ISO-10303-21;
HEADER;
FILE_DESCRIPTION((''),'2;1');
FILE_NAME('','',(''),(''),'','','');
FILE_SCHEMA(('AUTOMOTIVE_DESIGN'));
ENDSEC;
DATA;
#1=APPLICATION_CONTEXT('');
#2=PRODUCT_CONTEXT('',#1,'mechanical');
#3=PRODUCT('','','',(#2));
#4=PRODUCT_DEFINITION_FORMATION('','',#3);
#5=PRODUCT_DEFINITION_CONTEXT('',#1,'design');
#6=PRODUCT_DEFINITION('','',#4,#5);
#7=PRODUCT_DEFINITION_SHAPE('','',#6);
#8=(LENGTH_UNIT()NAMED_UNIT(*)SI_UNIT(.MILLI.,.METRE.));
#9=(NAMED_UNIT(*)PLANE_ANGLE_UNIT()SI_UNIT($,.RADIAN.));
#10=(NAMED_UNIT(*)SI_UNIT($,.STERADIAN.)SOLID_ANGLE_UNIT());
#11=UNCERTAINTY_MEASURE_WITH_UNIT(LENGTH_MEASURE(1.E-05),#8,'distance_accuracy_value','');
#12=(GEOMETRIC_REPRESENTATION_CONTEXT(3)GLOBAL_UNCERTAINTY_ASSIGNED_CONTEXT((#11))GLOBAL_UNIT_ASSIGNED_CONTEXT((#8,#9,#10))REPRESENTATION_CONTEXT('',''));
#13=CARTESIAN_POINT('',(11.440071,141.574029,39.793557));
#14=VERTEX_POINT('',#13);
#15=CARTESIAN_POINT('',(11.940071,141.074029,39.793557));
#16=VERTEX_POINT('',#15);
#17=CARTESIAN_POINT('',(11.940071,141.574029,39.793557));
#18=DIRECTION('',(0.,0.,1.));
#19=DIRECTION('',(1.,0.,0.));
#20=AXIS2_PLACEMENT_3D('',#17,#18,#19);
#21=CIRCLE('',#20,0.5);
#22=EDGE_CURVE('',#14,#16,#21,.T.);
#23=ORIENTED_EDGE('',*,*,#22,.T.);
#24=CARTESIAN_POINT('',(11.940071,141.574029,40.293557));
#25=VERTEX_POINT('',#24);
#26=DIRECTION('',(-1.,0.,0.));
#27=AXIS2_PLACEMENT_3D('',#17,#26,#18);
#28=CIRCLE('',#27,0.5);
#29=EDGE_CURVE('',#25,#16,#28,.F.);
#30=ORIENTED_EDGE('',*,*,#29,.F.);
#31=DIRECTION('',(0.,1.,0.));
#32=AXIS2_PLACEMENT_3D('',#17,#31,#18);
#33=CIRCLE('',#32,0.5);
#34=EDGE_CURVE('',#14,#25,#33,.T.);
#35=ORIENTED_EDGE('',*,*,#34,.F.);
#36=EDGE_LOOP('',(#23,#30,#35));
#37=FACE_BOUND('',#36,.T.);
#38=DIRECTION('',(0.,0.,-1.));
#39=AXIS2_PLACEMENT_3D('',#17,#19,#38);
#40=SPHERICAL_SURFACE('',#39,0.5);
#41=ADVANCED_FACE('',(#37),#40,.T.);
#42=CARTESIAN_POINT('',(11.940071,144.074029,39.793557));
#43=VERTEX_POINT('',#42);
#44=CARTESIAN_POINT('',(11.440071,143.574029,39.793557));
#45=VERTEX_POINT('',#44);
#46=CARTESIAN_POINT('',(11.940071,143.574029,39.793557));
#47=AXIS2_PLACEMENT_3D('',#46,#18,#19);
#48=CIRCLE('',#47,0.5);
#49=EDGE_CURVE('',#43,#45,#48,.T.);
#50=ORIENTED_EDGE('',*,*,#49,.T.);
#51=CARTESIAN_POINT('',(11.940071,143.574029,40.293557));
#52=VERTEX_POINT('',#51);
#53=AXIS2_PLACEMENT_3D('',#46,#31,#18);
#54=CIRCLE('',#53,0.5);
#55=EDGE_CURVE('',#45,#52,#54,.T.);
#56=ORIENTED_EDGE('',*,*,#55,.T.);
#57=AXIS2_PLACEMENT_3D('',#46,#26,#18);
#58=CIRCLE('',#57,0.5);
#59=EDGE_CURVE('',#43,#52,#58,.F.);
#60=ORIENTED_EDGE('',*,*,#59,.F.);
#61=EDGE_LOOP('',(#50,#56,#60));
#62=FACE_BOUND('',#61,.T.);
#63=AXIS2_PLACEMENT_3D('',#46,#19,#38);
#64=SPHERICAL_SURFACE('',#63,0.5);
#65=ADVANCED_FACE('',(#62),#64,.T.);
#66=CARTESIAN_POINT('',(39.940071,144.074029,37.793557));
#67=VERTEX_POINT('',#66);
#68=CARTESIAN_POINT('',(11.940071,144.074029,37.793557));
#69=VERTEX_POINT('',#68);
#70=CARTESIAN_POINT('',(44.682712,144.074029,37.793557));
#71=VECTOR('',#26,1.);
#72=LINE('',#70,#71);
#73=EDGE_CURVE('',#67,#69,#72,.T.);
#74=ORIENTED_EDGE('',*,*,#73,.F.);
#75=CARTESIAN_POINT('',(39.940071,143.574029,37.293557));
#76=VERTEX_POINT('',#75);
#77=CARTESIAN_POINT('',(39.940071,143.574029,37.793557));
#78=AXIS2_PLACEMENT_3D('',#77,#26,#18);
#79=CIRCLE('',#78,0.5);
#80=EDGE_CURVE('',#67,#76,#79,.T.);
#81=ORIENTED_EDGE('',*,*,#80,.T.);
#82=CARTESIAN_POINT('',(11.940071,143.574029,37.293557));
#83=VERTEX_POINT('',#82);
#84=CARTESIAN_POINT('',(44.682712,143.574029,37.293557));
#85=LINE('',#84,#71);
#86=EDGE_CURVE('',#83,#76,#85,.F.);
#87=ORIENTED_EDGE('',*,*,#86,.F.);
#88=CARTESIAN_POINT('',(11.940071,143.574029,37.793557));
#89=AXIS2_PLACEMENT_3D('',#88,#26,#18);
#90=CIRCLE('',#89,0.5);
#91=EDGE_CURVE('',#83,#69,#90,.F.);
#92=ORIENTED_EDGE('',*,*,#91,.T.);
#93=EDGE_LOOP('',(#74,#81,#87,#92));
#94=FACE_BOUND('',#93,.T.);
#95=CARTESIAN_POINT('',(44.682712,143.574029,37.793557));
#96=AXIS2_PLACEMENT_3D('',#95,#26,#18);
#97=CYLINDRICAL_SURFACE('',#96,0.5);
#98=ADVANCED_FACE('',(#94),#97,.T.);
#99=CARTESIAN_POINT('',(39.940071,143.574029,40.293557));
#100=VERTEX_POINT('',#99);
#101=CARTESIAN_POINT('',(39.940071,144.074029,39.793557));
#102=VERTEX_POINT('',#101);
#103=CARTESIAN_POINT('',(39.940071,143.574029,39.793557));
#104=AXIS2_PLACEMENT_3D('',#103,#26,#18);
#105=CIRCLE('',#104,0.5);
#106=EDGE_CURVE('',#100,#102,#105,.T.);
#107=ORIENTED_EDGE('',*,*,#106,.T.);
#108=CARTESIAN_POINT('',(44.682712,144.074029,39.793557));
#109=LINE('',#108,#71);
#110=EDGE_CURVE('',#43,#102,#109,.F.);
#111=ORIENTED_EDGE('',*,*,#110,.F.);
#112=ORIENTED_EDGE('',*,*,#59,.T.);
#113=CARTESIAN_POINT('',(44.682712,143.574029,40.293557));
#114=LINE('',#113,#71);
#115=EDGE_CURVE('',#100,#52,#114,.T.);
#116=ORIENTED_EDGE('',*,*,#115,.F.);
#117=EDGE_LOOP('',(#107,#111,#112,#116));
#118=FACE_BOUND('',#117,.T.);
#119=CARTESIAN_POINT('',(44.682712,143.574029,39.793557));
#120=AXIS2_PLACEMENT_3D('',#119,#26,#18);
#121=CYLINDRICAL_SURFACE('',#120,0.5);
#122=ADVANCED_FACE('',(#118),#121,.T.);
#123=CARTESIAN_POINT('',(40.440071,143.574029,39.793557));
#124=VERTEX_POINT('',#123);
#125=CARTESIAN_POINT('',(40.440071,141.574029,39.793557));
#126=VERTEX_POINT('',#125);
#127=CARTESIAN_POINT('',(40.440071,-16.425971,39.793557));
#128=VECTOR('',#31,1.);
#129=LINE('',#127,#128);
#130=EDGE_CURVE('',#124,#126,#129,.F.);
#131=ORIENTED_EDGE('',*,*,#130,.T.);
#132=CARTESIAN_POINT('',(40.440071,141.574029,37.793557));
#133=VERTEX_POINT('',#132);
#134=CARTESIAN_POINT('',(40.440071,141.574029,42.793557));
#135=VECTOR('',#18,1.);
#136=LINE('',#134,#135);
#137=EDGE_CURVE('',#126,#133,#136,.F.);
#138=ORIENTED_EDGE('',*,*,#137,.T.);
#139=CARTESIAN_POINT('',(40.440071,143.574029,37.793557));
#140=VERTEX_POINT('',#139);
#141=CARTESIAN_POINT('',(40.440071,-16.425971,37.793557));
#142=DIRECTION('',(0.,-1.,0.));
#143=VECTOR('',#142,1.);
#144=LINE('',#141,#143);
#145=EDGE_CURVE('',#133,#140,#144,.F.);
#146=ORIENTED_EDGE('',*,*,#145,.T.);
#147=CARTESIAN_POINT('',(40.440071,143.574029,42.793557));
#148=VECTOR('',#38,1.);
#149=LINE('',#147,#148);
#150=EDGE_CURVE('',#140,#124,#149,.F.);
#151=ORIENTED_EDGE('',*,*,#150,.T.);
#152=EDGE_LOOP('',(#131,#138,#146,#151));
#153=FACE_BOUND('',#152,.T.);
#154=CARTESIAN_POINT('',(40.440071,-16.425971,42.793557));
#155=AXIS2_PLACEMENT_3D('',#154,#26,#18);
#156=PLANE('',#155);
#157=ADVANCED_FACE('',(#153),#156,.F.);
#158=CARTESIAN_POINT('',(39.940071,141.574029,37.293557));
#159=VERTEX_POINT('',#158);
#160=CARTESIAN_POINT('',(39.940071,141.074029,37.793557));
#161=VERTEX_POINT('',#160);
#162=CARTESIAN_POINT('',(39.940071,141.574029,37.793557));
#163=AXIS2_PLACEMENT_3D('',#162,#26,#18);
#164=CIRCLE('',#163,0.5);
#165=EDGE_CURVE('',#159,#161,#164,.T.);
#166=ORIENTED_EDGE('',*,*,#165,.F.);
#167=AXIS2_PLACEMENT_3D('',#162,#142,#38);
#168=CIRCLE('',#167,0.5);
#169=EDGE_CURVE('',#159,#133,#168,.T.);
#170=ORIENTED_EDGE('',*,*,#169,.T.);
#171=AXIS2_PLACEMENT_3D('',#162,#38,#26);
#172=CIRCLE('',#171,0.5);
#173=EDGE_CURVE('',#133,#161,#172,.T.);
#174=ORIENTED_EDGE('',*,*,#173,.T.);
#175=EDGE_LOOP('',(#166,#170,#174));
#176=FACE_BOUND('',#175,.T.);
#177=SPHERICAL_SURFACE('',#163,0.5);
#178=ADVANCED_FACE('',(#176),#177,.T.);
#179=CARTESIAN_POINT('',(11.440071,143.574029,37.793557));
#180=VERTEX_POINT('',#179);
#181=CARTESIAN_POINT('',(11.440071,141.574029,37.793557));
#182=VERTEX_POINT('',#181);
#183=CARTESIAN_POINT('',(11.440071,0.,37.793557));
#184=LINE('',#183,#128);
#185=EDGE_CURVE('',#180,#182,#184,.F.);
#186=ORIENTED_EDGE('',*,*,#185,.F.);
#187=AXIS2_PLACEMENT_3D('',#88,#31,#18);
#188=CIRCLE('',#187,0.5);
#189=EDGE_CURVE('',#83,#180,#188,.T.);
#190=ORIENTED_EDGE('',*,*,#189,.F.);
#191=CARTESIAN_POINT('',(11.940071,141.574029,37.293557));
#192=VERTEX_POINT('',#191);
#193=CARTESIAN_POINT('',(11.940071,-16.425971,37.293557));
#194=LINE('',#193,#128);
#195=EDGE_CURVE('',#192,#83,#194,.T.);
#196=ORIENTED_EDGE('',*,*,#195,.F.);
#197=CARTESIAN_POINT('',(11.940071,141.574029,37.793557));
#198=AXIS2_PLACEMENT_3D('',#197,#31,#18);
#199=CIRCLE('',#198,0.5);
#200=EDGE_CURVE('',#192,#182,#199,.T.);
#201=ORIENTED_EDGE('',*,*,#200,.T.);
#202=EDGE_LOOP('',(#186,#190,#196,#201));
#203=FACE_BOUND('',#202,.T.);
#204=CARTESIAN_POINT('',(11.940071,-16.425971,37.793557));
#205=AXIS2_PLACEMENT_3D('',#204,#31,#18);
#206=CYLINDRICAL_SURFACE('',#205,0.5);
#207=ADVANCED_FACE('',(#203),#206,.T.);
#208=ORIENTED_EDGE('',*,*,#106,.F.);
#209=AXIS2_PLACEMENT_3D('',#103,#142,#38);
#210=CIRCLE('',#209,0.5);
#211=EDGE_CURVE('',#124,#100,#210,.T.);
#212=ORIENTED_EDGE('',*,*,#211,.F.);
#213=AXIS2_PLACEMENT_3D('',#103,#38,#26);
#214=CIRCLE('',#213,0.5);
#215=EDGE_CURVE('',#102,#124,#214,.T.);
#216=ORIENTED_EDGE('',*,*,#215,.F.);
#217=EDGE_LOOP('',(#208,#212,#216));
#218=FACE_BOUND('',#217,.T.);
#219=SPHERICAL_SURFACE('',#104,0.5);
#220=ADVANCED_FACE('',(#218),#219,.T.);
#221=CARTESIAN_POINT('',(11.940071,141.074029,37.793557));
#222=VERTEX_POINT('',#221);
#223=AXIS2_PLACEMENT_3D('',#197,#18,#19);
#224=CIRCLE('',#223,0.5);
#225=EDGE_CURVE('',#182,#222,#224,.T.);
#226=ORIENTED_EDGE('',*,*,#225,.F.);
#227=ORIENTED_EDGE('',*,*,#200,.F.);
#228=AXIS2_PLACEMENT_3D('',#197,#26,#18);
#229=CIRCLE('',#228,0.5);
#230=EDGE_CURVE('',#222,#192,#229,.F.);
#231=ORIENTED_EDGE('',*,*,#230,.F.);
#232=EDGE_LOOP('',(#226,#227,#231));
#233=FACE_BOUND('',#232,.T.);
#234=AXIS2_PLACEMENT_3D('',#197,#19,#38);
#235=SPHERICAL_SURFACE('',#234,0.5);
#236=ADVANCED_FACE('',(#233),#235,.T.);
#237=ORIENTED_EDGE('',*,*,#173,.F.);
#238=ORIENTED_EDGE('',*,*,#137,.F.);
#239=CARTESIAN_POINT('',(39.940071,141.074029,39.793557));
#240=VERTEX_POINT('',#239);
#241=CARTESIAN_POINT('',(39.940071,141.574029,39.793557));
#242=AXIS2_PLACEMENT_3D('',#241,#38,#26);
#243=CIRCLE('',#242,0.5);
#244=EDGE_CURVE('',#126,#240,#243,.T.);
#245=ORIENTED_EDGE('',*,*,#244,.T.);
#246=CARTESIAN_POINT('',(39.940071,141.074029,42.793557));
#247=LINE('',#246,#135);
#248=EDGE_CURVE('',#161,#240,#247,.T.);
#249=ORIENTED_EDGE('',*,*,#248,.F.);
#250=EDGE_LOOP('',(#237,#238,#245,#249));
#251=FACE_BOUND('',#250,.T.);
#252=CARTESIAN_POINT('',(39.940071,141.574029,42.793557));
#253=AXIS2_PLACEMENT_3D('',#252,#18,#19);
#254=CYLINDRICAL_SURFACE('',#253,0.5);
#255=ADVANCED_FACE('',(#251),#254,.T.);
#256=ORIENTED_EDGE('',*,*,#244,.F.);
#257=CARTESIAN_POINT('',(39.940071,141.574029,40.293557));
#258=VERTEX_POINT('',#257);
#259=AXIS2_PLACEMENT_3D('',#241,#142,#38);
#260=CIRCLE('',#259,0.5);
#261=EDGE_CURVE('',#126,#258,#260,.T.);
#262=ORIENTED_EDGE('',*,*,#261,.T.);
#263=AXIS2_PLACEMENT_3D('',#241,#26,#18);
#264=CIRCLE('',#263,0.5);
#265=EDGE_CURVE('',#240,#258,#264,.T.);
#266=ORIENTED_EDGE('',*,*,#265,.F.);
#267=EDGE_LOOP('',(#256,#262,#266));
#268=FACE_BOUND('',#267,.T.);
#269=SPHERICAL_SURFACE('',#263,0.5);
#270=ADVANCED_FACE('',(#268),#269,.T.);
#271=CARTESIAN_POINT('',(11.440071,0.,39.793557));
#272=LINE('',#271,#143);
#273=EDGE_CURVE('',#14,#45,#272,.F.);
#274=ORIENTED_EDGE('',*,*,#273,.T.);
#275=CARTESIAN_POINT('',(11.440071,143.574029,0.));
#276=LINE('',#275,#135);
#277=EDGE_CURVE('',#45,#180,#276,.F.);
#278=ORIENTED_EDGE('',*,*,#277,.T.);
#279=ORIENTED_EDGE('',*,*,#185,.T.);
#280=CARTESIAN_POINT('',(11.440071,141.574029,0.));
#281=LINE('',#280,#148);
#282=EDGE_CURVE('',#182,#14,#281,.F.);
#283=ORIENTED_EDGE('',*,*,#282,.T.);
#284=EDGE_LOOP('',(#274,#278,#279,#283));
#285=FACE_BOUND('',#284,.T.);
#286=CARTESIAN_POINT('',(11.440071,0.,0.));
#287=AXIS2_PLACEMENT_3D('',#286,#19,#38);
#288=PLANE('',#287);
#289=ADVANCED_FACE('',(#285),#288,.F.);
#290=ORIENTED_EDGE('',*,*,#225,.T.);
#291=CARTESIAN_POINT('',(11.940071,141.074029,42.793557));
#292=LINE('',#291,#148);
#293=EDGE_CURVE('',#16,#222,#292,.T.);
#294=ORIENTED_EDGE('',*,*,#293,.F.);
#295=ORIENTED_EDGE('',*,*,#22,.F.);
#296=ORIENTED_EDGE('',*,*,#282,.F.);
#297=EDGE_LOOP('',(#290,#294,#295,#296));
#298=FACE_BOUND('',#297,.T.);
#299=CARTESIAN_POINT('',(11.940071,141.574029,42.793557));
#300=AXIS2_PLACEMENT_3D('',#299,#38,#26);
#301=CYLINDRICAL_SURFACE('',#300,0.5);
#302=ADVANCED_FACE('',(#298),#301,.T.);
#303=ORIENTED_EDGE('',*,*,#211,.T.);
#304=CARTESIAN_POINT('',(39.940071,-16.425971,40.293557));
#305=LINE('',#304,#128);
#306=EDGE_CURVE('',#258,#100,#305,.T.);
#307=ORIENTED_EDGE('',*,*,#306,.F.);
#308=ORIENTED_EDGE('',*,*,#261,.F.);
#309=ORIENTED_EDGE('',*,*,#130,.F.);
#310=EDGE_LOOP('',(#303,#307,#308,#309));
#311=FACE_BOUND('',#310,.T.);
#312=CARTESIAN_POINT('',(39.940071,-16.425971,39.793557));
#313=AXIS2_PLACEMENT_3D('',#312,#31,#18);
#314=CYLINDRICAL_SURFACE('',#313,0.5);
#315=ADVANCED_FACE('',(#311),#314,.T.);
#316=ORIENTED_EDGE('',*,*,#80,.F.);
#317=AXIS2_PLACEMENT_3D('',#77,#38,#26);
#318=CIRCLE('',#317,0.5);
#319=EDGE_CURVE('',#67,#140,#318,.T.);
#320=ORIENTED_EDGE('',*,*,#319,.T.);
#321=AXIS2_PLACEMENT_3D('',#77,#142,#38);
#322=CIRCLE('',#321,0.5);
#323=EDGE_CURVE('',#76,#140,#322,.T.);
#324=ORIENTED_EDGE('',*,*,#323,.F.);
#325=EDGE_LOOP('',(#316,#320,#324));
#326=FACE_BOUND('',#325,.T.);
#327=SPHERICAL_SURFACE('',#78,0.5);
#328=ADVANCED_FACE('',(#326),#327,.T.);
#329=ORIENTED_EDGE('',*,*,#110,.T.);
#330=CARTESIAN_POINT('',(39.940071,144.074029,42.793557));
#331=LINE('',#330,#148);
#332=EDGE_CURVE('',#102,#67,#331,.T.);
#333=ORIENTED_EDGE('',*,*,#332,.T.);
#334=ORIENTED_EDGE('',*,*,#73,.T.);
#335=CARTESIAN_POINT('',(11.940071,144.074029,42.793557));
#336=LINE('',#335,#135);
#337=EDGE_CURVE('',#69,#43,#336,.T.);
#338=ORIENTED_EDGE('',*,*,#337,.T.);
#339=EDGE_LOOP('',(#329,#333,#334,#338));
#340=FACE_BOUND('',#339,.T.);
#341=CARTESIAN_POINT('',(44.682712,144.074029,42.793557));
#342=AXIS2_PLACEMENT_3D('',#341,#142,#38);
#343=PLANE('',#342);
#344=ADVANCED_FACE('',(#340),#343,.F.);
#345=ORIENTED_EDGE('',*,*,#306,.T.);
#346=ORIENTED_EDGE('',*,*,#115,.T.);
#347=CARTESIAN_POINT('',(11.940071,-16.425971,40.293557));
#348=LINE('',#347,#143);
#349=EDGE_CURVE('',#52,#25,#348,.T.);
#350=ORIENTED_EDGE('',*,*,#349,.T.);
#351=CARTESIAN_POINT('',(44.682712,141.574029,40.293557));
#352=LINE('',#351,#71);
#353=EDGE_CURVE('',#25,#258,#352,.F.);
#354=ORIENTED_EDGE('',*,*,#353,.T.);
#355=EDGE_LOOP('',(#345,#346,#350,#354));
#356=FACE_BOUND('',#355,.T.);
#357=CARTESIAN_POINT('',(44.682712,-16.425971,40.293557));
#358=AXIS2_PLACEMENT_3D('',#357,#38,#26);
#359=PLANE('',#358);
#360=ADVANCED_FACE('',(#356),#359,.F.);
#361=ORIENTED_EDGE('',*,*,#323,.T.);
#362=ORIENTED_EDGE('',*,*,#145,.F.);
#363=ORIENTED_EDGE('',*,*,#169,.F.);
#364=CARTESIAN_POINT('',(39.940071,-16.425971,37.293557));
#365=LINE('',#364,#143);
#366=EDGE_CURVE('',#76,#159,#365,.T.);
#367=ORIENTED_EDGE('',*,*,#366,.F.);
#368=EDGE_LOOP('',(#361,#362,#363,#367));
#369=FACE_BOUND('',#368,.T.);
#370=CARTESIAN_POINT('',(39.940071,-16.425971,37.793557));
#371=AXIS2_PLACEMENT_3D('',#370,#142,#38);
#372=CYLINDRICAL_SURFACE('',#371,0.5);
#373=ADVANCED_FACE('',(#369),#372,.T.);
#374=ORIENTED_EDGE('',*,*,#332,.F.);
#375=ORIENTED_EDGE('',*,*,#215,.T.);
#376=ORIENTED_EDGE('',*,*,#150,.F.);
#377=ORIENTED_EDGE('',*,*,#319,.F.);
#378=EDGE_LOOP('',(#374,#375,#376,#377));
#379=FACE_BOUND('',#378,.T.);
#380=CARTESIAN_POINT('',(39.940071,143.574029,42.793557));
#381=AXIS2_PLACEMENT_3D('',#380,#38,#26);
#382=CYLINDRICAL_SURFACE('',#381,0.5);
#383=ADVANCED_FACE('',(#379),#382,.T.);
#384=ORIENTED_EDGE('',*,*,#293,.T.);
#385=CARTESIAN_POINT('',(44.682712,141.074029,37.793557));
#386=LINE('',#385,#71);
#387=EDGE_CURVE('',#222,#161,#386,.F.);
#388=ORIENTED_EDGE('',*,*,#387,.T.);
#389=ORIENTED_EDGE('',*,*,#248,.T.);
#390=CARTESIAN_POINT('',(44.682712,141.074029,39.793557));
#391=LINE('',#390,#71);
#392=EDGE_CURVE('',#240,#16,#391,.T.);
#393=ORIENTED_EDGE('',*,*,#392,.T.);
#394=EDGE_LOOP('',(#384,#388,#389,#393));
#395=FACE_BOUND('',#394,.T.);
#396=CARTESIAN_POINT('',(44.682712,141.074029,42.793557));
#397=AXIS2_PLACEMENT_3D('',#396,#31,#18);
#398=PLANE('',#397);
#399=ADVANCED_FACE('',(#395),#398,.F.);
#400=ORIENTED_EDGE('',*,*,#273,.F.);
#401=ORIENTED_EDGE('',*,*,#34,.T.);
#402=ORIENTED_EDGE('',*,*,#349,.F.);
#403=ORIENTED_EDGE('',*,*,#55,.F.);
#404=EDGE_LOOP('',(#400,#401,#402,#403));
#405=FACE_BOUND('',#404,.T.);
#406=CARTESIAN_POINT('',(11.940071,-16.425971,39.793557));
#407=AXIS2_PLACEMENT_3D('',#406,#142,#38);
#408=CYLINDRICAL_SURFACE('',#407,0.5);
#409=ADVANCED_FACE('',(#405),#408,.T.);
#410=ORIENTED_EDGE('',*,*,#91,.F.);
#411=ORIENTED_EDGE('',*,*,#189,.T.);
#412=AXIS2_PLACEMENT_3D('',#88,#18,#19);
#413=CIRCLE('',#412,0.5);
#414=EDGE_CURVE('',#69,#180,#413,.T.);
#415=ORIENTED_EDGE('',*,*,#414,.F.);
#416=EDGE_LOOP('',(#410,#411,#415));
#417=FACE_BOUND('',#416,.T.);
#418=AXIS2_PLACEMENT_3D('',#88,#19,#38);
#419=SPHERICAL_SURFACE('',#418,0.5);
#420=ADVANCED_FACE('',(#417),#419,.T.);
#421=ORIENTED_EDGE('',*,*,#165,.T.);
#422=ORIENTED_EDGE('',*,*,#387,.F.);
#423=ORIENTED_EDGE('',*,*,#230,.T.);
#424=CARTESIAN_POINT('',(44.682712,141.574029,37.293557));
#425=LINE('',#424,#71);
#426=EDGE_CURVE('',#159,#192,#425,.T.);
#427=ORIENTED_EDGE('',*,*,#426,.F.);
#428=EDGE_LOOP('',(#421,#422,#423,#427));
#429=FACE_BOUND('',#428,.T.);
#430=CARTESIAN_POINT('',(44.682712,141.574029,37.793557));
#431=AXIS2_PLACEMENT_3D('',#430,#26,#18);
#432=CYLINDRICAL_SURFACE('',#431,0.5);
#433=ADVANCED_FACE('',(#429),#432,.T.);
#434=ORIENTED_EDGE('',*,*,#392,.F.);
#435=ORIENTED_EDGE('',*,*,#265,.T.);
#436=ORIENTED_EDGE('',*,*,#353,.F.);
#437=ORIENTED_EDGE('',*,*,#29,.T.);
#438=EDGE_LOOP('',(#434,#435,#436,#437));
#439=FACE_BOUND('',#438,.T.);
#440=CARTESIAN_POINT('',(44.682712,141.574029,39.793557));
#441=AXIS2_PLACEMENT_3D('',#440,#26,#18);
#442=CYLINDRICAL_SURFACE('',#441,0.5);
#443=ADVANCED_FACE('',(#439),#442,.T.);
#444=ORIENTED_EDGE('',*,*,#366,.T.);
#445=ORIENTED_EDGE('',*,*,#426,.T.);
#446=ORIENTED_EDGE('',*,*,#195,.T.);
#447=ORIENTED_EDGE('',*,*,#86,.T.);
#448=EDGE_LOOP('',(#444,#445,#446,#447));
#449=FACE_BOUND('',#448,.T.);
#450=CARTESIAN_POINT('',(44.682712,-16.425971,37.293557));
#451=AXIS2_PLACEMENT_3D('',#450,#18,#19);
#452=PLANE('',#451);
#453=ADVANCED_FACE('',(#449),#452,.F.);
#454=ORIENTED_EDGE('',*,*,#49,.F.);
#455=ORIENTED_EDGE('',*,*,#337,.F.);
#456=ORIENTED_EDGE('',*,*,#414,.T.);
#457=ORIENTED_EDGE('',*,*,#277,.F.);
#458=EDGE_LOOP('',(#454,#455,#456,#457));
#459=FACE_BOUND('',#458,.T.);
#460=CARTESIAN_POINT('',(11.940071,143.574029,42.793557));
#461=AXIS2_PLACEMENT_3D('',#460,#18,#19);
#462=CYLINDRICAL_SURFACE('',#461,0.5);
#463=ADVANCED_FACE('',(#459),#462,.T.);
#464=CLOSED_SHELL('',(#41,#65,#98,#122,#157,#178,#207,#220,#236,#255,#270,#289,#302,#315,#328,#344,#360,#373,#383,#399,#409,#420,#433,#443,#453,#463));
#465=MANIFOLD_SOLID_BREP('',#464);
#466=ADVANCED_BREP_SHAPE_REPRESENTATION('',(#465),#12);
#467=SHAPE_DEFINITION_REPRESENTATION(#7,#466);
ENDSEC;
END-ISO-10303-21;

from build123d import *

# Parameters (mm, degrees)
BOSS_EXTRUDE1_START = 11.440071
SKETCH2_W           = 3
SKETCH2_H           = 3
BOSS_EXTRUDE1_DEPTH = 29
FILLET1_R           = 0.5
FILLET3_R           = 0.5


with BuildPart() as part:
    # Sketch2 → Boss-Extrude1 (new body)
    with BuildSketch(Plane(origin=(0, 0, 0), x_dir=(0, 0, -1), z_dir=(1, 0, 0)).offset(BOSS_EXTRUDE1_START)):
        with Locations((-38.793556796, 142.574028513)):
            Rectangle(SKETCH2_W, SKETCH2_H)
    extrude(amount=BOSS_EXTRUDE1_DEPTH)

    # Fillet1
    fillet1_edges = [part.edges().sort_by_distance(p)[0] for p in [
        (25.940071, 144.074028513, 40.293556796),
        (25.940071, 144.074028513, 37.293556796),
        (25.940071, 141.074028513, 37.293556796),
        (25.940071, 141.074028513, 40.293556796),
    ]]
    fillet(fillet1_edges, radius=FILLET1_R)

    # Fillet3
    fillet3_edges = [part.edges().sort_by_distance(p)[0] for p in [
        (40.440071, 144.074028513, 38.793556796),
        (11.440071, 144.074028513, 38.793556796),
        (11.440071, 142.574028513, 40.293556796),
        (11.440071, 142.574028513, 37.293556796),
        (11.440071, 141.074028513, 38.793556796),
        (11.440071, 141.220475122, 40.147110187),
        (11.440071, 141.220475122, 37.440003406),
        (11.440071, 143.927581903, 40.147110187),
        (11.440071, 143.927581903, 37.440003406),
        (40.440071, 142.574028513, 37.293556796),
        (40.440071, 141.074028513, 38.793556796),
        (40.440071, 142.574028513, 40.293556796),
        (40.440071, 141.220475122, 40.147110187),
        (40.440071, 141.220475122, 37.440003406),
        (40.440071, 143.927581903, 40.147110187),
        (40.440071, 143.927581903, 37.440003406),
    ]]
    fillet(fillet3_edges, radius=FILLET3_R)


solid = part.part
